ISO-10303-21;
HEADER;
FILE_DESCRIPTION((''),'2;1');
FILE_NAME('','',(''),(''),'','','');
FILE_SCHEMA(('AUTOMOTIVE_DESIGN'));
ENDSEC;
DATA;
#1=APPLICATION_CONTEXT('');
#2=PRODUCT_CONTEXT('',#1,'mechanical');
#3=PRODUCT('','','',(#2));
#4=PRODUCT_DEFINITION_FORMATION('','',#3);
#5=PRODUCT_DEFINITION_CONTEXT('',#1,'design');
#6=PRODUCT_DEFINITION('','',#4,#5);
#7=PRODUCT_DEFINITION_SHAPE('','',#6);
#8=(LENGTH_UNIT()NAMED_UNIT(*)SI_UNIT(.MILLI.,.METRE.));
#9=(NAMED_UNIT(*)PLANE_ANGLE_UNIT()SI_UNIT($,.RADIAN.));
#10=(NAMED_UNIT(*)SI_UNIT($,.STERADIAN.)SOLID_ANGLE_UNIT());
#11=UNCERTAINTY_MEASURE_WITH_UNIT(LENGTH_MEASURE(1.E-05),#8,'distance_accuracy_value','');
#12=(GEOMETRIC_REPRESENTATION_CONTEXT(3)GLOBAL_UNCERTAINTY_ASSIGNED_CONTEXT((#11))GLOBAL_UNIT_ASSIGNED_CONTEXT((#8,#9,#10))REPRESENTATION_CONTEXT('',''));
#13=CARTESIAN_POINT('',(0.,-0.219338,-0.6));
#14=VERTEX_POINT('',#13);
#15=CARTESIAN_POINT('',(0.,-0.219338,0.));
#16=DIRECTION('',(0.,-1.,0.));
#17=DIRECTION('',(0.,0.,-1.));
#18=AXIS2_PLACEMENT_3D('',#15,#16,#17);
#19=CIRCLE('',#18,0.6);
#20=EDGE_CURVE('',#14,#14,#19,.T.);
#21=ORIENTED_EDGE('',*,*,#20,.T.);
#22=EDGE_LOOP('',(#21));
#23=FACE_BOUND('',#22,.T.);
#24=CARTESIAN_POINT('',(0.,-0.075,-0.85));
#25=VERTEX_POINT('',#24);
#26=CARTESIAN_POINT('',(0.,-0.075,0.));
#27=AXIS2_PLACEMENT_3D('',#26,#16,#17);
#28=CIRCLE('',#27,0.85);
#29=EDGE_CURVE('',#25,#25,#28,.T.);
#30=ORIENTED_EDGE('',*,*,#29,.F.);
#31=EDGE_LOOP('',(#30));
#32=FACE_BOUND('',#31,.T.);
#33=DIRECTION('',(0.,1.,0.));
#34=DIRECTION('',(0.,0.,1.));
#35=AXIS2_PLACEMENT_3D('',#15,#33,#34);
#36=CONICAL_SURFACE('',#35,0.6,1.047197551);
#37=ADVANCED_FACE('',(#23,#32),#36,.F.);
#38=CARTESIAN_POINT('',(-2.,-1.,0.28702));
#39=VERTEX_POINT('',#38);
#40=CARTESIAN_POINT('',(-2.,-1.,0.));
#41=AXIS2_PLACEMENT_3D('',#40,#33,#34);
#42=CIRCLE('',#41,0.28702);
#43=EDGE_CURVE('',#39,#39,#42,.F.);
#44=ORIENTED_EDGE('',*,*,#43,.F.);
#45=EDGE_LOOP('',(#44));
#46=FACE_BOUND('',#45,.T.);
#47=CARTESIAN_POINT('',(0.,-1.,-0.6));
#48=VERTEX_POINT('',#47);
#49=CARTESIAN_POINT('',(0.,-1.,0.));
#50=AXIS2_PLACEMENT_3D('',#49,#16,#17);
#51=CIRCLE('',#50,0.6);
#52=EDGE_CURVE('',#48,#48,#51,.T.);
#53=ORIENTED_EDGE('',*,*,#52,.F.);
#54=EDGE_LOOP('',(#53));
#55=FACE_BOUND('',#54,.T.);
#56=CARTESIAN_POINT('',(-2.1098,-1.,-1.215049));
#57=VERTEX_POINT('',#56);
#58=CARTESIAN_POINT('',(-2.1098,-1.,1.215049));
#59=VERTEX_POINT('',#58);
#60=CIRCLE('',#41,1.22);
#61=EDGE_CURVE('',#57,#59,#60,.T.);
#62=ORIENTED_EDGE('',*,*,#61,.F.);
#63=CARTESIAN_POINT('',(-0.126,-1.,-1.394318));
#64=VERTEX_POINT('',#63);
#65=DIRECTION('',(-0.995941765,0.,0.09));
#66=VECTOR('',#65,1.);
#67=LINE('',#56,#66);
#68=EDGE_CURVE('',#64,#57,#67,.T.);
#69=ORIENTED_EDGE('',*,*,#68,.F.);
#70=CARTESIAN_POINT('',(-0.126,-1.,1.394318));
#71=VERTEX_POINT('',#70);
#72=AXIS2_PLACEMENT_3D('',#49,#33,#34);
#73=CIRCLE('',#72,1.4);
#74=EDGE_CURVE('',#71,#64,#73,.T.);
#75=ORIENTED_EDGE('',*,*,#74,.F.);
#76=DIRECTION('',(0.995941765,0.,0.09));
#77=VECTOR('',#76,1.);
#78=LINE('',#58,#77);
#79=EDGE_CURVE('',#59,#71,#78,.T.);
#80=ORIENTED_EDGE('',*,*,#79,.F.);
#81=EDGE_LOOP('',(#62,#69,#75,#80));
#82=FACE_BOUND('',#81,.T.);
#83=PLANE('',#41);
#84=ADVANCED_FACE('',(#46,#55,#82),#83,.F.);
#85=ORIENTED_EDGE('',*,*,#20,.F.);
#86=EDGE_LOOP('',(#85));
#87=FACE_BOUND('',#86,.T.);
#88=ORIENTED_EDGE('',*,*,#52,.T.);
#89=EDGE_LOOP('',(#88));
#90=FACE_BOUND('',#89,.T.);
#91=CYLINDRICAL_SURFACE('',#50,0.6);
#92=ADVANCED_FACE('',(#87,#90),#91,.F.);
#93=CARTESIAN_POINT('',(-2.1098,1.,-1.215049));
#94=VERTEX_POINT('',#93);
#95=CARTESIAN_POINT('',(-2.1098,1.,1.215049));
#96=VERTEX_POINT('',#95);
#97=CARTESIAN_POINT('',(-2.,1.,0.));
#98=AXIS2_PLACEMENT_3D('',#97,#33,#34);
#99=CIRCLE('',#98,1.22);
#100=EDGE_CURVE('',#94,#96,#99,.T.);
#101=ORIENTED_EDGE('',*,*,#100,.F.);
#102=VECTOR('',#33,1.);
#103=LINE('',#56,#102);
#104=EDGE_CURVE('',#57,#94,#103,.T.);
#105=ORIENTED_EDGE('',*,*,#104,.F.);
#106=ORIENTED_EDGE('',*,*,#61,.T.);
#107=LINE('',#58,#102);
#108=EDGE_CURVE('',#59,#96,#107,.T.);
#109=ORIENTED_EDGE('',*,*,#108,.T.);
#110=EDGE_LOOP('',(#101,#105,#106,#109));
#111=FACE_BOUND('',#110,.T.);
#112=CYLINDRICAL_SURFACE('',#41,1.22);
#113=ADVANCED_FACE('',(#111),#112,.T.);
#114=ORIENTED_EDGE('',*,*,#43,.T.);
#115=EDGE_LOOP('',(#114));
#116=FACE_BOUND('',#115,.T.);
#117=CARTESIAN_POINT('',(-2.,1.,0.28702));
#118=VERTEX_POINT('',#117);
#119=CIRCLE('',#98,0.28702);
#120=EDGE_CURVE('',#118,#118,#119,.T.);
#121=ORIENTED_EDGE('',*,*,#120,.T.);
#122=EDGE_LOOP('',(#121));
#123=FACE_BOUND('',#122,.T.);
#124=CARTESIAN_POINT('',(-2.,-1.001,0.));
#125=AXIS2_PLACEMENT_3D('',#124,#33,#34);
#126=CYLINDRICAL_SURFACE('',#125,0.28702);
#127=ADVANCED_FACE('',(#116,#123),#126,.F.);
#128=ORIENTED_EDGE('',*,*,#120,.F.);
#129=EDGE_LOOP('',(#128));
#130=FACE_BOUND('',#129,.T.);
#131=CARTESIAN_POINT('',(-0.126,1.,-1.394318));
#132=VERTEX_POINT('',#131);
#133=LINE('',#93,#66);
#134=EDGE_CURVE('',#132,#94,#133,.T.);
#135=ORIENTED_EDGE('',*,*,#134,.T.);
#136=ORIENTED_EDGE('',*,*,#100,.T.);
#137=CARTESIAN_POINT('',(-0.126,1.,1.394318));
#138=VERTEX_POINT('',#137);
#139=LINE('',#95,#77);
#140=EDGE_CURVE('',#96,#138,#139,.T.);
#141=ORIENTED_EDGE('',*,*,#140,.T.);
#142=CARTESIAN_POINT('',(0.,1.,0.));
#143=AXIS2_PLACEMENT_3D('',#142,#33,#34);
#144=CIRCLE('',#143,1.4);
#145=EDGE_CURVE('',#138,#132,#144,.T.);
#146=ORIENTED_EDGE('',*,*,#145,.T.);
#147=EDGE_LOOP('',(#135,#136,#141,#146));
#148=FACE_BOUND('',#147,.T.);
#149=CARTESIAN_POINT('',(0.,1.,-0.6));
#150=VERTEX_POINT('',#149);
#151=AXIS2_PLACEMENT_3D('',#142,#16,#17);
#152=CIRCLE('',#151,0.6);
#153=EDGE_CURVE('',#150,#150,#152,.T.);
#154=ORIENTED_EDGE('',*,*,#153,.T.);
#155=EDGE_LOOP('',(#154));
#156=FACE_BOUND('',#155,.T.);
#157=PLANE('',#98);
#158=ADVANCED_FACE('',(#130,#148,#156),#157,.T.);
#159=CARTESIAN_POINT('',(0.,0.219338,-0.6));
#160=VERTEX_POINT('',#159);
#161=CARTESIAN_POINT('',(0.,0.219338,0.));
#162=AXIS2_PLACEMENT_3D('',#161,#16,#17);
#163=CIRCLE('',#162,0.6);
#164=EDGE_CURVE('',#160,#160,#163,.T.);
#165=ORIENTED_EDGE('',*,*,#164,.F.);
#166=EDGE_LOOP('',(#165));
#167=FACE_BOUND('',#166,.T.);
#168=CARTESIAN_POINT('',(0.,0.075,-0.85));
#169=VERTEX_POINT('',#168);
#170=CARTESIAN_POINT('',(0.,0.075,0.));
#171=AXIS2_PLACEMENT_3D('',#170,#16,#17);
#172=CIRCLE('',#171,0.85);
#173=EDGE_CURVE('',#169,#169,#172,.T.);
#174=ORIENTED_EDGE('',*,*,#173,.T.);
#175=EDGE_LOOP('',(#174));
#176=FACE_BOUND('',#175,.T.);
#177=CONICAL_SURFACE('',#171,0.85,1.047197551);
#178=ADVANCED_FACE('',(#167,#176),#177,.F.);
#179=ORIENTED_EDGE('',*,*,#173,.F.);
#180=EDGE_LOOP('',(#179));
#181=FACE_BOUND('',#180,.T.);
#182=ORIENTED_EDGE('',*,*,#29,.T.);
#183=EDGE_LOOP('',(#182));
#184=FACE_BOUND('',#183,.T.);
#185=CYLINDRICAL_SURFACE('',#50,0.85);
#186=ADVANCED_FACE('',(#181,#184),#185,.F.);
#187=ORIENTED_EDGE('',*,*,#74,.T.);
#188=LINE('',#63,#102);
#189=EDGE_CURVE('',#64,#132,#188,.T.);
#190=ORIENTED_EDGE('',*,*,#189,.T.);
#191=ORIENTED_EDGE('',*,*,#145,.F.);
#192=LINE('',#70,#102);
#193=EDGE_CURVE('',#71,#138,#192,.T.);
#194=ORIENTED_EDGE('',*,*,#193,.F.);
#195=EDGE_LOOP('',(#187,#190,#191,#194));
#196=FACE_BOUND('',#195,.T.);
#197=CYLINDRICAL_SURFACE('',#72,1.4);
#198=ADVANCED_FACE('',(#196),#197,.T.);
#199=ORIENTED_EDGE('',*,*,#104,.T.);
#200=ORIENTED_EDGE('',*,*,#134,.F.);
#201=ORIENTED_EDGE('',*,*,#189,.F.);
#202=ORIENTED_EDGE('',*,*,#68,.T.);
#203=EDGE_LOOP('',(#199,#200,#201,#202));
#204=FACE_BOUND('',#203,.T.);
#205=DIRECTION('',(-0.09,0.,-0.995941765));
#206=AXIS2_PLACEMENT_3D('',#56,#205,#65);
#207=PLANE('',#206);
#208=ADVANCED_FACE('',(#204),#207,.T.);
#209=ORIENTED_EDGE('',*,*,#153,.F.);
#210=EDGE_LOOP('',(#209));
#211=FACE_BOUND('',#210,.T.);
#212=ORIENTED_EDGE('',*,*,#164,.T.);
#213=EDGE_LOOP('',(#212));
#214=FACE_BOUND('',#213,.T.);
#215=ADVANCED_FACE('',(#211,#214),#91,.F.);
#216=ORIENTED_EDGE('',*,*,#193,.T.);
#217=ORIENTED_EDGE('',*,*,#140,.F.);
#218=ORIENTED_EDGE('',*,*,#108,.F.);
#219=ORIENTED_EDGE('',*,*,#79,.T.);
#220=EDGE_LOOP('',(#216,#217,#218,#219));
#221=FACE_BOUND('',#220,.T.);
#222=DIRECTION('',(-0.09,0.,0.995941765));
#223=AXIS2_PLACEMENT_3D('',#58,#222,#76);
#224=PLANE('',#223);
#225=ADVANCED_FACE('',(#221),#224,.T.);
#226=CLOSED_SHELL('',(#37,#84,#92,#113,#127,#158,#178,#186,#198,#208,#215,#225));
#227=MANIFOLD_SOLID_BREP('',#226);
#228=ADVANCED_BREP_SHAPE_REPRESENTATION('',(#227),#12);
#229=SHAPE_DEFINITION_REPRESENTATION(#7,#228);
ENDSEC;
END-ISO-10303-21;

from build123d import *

# Parameters (mm, degrees)
BOSS_EXTRUDE1_DEPTH      = 1
BOSS_EXTRUDE1_DEPTH_BACK = 1
CUT_EXTRUDE1_REACH       = 6.041
SKETCH5_R                = 0.28702


with BuildPart() as part:
    # Sketch1 → Boss-Extrude1 (new, two sides: drawn at the far end of the back side and taken through both)
    with BuildSketch(Plane(origin=(0, 0, 0), x_dir=(1, 0, 0), z_dir=(0, 1, 0)).offset(-BOSS_EXTRUDE1_DEPTH_BACK)):
        with BuildLine():
            Line((-2.1098, 1.215048954), (-0.126, 1.394318472))
            ThreePointArc((-0.126, 1.394318472), (1.4, 0), (-0.126, -1.394318472))
            Line((-0.126, -1.394318472), (-2.1098, -1.215048954))
            ThreePointArc((-2.1098, -1.215048954), (-3.22, 0), (-2.1098, 1.215048954))
        make_face()
    extrude(amount=BOSS_EXTRUDE1_DEPTH + BOSS_EXTRUDE1_DEPTH_BACK)

    # Sketch4 → Cut-Revolve1 (revolve, cut)
    with BuildSketch(Plane.XY, mode=Mode.PRIVATE) as cut_revolve1_sk:
        Polygon((0.85, 0), (0.85, 0.075), (0.6, 0.219337567), (0.6, 1), (0, 1), (0, -1), (0.6, -1), (0.6, -0.219337567), (0.85, -0.075), align=None)
    revolve(cut_revolve1_sk.sketch.rotate(Axis((0, -1, 0), (0, 1, 0)), 90), axis=Axis((0, -1, 0), (0, 1, 0)), mode=Mode.SUBTRACT)

    # Sketch5 → Cut-Extrude1 (cut, up to next)
    with BuildSketch(Plane(origin=(0, 1, 0), x_dir=(1, 0, 0), z_dir=(0, 1, 0)), mode=Mode.PRIVATE) as cut_extrude1_sk1:
        with Locations(Location((-2, 0, 0), (0, 0, 270))):
            Circle(SKETCH5_R)
    cut_extrude1_tool1 = extrude(cut_extrude1_sk1.sketch, amount=-CUT_EXTRUDE1_REACH, mode=Mode.PRIVATE) & part.part
    add(cut_extrude1_tool1.solids().sort_by_distance((-2, 1, 0))[0], mode=Mode.SUBTRACT)


solid = part.part
